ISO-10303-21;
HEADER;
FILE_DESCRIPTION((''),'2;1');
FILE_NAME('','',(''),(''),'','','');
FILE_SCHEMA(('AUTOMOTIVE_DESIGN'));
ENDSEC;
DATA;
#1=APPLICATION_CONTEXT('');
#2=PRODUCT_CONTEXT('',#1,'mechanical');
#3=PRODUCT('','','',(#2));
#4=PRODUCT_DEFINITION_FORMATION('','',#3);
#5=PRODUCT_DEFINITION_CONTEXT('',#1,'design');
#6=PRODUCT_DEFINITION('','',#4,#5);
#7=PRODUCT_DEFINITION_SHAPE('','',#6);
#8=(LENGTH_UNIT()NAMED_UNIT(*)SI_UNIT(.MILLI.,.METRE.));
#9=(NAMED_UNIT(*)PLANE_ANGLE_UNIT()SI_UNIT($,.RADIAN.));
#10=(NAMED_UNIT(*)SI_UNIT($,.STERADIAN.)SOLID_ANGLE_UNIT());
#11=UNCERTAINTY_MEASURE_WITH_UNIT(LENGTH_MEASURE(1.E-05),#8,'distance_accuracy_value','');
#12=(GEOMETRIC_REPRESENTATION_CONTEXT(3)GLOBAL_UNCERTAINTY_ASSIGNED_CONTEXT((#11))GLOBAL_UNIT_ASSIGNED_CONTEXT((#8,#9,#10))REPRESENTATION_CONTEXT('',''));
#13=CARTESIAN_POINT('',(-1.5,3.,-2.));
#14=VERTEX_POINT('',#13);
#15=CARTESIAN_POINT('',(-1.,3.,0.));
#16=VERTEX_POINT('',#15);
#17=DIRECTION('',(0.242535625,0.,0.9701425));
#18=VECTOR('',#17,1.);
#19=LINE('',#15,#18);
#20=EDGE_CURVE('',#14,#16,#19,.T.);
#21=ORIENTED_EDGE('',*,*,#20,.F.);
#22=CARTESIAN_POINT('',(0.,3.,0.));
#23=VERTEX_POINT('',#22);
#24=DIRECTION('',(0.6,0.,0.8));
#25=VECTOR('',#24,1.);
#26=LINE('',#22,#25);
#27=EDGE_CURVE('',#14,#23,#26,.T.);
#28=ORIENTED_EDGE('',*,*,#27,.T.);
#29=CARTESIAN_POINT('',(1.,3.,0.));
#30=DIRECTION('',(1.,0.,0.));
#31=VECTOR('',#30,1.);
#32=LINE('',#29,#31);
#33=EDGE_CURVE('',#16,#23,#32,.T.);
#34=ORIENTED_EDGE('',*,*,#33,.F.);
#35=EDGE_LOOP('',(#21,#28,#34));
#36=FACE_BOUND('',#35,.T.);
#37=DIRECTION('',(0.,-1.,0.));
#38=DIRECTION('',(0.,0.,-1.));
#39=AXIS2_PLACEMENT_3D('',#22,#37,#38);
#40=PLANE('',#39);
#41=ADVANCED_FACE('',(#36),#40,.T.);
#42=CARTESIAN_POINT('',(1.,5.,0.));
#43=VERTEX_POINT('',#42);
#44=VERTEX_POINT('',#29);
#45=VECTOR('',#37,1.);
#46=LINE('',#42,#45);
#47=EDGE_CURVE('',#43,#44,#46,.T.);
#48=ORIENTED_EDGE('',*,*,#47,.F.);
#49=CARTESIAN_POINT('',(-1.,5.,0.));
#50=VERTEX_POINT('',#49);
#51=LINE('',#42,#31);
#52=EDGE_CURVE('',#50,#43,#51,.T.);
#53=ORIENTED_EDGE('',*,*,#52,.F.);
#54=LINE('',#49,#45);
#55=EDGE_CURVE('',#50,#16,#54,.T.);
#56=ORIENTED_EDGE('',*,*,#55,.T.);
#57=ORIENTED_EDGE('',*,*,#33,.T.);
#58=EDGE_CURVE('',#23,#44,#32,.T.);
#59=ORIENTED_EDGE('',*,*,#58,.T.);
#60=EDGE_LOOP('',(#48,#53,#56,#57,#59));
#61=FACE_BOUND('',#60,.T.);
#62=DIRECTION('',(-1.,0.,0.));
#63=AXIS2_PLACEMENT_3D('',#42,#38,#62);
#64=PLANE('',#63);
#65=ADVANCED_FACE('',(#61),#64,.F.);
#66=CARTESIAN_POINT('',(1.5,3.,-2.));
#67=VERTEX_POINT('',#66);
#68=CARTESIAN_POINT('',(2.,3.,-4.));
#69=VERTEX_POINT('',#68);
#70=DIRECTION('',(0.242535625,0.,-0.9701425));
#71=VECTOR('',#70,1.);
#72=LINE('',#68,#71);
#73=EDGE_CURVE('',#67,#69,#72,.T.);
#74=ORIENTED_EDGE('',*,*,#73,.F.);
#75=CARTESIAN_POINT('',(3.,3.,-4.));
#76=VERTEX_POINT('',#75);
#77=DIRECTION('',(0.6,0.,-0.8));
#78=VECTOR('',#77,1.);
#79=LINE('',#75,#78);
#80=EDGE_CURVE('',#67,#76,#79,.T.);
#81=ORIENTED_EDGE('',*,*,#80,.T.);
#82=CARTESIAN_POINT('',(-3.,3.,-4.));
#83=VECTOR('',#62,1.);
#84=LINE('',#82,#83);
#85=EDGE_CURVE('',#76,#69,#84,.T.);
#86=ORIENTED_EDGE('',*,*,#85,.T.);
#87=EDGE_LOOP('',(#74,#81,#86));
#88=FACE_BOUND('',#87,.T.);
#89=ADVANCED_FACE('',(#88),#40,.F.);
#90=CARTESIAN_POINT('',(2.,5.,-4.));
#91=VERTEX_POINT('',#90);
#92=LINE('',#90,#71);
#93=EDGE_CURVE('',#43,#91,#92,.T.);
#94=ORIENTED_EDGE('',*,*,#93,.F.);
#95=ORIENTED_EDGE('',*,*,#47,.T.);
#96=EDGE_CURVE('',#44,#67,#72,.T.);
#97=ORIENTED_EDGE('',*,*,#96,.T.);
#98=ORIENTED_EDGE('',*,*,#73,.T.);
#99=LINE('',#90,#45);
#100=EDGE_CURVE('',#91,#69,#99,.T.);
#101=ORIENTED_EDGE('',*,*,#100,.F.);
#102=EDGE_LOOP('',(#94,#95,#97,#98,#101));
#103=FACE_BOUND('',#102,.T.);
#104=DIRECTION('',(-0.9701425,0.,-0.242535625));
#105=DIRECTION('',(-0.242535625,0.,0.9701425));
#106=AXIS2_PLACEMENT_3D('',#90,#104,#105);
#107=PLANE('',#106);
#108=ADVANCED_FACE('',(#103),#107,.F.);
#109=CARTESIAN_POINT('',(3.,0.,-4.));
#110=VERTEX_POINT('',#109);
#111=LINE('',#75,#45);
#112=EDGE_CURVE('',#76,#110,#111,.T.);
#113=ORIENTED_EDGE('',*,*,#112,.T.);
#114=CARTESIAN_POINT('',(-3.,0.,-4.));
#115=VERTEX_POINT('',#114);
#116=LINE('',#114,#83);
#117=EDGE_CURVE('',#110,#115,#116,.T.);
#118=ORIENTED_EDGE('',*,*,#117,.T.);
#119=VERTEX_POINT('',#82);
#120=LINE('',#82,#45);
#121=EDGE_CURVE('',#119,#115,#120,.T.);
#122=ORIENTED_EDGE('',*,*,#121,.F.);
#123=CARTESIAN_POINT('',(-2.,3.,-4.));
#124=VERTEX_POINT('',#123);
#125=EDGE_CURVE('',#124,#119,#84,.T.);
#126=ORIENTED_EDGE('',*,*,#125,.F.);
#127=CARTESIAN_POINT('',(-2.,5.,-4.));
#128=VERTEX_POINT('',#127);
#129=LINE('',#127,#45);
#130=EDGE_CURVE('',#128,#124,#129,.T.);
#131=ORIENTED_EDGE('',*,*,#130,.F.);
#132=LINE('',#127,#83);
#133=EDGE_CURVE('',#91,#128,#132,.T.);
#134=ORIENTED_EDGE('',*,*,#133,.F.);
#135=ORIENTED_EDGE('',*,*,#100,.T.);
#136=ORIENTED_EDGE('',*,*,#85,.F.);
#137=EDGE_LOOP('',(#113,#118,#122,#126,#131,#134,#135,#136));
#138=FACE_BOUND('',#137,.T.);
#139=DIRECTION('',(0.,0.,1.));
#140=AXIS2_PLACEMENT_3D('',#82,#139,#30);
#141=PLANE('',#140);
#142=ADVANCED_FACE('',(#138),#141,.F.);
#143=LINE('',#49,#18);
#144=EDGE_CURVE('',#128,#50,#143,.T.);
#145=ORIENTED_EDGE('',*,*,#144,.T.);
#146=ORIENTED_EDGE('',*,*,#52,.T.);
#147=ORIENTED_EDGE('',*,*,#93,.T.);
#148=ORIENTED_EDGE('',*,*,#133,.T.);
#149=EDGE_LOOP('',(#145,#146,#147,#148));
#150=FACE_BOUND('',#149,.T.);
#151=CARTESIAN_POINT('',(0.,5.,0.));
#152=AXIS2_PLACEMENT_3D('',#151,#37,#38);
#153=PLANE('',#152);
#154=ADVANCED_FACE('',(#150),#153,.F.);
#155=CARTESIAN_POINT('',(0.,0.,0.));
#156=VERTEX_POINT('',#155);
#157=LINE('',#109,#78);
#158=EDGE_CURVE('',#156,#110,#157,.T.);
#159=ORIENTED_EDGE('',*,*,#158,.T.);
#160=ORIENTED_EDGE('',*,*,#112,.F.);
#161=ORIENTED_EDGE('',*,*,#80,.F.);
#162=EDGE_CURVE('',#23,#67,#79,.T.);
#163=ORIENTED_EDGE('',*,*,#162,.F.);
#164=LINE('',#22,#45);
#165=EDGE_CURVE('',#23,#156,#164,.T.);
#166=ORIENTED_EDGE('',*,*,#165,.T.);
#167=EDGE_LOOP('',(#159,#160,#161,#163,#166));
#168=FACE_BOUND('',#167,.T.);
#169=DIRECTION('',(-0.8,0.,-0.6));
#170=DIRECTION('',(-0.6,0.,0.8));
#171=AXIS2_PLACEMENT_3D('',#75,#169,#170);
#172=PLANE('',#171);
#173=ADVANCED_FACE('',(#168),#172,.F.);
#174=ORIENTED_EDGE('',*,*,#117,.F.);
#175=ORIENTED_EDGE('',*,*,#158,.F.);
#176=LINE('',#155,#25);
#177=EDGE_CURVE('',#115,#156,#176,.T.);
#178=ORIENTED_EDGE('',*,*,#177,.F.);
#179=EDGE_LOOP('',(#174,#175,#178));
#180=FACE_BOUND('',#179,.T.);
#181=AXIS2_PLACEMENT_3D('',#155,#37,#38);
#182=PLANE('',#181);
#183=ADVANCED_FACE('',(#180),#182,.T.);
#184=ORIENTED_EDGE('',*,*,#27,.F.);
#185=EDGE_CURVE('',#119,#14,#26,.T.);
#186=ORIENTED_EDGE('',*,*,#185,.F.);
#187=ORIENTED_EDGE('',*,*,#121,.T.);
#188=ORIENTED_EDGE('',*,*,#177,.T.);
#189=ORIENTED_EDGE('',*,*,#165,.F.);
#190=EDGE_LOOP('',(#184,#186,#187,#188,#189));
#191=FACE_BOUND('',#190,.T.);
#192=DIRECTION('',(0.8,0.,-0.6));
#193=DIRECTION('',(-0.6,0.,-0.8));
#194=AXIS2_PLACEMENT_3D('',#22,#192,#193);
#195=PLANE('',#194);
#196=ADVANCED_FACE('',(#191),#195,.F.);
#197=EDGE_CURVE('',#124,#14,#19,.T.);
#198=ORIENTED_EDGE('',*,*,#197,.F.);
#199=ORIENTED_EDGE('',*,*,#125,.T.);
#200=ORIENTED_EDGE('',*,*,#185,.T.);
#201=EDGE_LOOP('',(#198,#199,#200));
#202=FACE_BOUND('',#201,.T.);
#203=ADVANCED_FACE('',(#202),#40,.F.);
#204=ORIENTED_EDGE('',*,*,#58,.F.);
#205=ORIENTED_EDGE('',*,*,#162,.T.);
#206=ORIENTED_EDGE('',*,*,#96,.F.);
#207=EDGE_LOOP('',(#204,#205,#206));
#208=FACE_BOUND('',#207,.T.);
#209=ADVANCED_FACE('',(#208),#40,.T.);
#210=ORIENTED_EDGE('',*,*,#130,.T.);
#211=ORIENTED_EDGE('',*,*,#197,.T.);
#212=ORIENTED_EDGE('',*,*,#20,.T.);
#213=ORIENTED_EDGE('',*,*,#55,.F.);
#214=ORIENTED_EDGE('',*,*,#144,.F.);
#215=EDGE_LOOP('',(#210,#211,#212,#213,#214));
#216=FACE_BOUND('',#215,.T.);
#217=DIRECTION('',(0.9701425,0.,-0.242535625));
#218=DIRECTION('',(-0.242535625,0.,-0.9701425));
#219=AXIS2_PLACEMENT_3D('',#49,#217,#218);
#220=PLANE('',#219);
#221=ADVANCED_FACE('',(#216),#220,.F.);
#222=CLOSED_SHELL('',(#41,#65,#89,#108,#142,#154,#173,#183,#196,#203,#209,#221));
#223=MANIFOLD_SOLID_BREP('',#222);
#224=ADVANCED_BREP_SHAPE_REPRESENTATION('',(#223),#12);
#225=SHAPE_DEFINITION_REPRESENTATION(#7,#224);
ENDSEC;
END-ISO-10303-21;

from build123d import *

# Parameters (mm, degrees)
BOSS_EXTRUDE1_DEPTH = 3
BOSS_EXTRUDE2_DEPTH = 2


with BuildPart() as part:
    # Sketch1 → Boss-Extrude1 (new body)
    with BuildSketch(Plane(origin=(0, 0, 0), x_dir=(1, 0, 0), z_dir=(0, 1, 0))):
        Polygon((0, 0), (-3, 4), (3, 4), align=None)
    extrude(amount=BOSS_EXTRUDE1_DEPTH)

    # Sketch2 → Boss-Extrude2 (add)
    with BuildSketch(Plane(origin=(0, 3, 0), x_dir=(1, 0, 0), z_dir=(0, 1, 0))):
        Polygon((2, 4), (1, 0), (-1, 0), (-2, 4), align=None)
    extrude(amount=BOSS_EXTRUDE2_DEPTH)


solid = part.part
